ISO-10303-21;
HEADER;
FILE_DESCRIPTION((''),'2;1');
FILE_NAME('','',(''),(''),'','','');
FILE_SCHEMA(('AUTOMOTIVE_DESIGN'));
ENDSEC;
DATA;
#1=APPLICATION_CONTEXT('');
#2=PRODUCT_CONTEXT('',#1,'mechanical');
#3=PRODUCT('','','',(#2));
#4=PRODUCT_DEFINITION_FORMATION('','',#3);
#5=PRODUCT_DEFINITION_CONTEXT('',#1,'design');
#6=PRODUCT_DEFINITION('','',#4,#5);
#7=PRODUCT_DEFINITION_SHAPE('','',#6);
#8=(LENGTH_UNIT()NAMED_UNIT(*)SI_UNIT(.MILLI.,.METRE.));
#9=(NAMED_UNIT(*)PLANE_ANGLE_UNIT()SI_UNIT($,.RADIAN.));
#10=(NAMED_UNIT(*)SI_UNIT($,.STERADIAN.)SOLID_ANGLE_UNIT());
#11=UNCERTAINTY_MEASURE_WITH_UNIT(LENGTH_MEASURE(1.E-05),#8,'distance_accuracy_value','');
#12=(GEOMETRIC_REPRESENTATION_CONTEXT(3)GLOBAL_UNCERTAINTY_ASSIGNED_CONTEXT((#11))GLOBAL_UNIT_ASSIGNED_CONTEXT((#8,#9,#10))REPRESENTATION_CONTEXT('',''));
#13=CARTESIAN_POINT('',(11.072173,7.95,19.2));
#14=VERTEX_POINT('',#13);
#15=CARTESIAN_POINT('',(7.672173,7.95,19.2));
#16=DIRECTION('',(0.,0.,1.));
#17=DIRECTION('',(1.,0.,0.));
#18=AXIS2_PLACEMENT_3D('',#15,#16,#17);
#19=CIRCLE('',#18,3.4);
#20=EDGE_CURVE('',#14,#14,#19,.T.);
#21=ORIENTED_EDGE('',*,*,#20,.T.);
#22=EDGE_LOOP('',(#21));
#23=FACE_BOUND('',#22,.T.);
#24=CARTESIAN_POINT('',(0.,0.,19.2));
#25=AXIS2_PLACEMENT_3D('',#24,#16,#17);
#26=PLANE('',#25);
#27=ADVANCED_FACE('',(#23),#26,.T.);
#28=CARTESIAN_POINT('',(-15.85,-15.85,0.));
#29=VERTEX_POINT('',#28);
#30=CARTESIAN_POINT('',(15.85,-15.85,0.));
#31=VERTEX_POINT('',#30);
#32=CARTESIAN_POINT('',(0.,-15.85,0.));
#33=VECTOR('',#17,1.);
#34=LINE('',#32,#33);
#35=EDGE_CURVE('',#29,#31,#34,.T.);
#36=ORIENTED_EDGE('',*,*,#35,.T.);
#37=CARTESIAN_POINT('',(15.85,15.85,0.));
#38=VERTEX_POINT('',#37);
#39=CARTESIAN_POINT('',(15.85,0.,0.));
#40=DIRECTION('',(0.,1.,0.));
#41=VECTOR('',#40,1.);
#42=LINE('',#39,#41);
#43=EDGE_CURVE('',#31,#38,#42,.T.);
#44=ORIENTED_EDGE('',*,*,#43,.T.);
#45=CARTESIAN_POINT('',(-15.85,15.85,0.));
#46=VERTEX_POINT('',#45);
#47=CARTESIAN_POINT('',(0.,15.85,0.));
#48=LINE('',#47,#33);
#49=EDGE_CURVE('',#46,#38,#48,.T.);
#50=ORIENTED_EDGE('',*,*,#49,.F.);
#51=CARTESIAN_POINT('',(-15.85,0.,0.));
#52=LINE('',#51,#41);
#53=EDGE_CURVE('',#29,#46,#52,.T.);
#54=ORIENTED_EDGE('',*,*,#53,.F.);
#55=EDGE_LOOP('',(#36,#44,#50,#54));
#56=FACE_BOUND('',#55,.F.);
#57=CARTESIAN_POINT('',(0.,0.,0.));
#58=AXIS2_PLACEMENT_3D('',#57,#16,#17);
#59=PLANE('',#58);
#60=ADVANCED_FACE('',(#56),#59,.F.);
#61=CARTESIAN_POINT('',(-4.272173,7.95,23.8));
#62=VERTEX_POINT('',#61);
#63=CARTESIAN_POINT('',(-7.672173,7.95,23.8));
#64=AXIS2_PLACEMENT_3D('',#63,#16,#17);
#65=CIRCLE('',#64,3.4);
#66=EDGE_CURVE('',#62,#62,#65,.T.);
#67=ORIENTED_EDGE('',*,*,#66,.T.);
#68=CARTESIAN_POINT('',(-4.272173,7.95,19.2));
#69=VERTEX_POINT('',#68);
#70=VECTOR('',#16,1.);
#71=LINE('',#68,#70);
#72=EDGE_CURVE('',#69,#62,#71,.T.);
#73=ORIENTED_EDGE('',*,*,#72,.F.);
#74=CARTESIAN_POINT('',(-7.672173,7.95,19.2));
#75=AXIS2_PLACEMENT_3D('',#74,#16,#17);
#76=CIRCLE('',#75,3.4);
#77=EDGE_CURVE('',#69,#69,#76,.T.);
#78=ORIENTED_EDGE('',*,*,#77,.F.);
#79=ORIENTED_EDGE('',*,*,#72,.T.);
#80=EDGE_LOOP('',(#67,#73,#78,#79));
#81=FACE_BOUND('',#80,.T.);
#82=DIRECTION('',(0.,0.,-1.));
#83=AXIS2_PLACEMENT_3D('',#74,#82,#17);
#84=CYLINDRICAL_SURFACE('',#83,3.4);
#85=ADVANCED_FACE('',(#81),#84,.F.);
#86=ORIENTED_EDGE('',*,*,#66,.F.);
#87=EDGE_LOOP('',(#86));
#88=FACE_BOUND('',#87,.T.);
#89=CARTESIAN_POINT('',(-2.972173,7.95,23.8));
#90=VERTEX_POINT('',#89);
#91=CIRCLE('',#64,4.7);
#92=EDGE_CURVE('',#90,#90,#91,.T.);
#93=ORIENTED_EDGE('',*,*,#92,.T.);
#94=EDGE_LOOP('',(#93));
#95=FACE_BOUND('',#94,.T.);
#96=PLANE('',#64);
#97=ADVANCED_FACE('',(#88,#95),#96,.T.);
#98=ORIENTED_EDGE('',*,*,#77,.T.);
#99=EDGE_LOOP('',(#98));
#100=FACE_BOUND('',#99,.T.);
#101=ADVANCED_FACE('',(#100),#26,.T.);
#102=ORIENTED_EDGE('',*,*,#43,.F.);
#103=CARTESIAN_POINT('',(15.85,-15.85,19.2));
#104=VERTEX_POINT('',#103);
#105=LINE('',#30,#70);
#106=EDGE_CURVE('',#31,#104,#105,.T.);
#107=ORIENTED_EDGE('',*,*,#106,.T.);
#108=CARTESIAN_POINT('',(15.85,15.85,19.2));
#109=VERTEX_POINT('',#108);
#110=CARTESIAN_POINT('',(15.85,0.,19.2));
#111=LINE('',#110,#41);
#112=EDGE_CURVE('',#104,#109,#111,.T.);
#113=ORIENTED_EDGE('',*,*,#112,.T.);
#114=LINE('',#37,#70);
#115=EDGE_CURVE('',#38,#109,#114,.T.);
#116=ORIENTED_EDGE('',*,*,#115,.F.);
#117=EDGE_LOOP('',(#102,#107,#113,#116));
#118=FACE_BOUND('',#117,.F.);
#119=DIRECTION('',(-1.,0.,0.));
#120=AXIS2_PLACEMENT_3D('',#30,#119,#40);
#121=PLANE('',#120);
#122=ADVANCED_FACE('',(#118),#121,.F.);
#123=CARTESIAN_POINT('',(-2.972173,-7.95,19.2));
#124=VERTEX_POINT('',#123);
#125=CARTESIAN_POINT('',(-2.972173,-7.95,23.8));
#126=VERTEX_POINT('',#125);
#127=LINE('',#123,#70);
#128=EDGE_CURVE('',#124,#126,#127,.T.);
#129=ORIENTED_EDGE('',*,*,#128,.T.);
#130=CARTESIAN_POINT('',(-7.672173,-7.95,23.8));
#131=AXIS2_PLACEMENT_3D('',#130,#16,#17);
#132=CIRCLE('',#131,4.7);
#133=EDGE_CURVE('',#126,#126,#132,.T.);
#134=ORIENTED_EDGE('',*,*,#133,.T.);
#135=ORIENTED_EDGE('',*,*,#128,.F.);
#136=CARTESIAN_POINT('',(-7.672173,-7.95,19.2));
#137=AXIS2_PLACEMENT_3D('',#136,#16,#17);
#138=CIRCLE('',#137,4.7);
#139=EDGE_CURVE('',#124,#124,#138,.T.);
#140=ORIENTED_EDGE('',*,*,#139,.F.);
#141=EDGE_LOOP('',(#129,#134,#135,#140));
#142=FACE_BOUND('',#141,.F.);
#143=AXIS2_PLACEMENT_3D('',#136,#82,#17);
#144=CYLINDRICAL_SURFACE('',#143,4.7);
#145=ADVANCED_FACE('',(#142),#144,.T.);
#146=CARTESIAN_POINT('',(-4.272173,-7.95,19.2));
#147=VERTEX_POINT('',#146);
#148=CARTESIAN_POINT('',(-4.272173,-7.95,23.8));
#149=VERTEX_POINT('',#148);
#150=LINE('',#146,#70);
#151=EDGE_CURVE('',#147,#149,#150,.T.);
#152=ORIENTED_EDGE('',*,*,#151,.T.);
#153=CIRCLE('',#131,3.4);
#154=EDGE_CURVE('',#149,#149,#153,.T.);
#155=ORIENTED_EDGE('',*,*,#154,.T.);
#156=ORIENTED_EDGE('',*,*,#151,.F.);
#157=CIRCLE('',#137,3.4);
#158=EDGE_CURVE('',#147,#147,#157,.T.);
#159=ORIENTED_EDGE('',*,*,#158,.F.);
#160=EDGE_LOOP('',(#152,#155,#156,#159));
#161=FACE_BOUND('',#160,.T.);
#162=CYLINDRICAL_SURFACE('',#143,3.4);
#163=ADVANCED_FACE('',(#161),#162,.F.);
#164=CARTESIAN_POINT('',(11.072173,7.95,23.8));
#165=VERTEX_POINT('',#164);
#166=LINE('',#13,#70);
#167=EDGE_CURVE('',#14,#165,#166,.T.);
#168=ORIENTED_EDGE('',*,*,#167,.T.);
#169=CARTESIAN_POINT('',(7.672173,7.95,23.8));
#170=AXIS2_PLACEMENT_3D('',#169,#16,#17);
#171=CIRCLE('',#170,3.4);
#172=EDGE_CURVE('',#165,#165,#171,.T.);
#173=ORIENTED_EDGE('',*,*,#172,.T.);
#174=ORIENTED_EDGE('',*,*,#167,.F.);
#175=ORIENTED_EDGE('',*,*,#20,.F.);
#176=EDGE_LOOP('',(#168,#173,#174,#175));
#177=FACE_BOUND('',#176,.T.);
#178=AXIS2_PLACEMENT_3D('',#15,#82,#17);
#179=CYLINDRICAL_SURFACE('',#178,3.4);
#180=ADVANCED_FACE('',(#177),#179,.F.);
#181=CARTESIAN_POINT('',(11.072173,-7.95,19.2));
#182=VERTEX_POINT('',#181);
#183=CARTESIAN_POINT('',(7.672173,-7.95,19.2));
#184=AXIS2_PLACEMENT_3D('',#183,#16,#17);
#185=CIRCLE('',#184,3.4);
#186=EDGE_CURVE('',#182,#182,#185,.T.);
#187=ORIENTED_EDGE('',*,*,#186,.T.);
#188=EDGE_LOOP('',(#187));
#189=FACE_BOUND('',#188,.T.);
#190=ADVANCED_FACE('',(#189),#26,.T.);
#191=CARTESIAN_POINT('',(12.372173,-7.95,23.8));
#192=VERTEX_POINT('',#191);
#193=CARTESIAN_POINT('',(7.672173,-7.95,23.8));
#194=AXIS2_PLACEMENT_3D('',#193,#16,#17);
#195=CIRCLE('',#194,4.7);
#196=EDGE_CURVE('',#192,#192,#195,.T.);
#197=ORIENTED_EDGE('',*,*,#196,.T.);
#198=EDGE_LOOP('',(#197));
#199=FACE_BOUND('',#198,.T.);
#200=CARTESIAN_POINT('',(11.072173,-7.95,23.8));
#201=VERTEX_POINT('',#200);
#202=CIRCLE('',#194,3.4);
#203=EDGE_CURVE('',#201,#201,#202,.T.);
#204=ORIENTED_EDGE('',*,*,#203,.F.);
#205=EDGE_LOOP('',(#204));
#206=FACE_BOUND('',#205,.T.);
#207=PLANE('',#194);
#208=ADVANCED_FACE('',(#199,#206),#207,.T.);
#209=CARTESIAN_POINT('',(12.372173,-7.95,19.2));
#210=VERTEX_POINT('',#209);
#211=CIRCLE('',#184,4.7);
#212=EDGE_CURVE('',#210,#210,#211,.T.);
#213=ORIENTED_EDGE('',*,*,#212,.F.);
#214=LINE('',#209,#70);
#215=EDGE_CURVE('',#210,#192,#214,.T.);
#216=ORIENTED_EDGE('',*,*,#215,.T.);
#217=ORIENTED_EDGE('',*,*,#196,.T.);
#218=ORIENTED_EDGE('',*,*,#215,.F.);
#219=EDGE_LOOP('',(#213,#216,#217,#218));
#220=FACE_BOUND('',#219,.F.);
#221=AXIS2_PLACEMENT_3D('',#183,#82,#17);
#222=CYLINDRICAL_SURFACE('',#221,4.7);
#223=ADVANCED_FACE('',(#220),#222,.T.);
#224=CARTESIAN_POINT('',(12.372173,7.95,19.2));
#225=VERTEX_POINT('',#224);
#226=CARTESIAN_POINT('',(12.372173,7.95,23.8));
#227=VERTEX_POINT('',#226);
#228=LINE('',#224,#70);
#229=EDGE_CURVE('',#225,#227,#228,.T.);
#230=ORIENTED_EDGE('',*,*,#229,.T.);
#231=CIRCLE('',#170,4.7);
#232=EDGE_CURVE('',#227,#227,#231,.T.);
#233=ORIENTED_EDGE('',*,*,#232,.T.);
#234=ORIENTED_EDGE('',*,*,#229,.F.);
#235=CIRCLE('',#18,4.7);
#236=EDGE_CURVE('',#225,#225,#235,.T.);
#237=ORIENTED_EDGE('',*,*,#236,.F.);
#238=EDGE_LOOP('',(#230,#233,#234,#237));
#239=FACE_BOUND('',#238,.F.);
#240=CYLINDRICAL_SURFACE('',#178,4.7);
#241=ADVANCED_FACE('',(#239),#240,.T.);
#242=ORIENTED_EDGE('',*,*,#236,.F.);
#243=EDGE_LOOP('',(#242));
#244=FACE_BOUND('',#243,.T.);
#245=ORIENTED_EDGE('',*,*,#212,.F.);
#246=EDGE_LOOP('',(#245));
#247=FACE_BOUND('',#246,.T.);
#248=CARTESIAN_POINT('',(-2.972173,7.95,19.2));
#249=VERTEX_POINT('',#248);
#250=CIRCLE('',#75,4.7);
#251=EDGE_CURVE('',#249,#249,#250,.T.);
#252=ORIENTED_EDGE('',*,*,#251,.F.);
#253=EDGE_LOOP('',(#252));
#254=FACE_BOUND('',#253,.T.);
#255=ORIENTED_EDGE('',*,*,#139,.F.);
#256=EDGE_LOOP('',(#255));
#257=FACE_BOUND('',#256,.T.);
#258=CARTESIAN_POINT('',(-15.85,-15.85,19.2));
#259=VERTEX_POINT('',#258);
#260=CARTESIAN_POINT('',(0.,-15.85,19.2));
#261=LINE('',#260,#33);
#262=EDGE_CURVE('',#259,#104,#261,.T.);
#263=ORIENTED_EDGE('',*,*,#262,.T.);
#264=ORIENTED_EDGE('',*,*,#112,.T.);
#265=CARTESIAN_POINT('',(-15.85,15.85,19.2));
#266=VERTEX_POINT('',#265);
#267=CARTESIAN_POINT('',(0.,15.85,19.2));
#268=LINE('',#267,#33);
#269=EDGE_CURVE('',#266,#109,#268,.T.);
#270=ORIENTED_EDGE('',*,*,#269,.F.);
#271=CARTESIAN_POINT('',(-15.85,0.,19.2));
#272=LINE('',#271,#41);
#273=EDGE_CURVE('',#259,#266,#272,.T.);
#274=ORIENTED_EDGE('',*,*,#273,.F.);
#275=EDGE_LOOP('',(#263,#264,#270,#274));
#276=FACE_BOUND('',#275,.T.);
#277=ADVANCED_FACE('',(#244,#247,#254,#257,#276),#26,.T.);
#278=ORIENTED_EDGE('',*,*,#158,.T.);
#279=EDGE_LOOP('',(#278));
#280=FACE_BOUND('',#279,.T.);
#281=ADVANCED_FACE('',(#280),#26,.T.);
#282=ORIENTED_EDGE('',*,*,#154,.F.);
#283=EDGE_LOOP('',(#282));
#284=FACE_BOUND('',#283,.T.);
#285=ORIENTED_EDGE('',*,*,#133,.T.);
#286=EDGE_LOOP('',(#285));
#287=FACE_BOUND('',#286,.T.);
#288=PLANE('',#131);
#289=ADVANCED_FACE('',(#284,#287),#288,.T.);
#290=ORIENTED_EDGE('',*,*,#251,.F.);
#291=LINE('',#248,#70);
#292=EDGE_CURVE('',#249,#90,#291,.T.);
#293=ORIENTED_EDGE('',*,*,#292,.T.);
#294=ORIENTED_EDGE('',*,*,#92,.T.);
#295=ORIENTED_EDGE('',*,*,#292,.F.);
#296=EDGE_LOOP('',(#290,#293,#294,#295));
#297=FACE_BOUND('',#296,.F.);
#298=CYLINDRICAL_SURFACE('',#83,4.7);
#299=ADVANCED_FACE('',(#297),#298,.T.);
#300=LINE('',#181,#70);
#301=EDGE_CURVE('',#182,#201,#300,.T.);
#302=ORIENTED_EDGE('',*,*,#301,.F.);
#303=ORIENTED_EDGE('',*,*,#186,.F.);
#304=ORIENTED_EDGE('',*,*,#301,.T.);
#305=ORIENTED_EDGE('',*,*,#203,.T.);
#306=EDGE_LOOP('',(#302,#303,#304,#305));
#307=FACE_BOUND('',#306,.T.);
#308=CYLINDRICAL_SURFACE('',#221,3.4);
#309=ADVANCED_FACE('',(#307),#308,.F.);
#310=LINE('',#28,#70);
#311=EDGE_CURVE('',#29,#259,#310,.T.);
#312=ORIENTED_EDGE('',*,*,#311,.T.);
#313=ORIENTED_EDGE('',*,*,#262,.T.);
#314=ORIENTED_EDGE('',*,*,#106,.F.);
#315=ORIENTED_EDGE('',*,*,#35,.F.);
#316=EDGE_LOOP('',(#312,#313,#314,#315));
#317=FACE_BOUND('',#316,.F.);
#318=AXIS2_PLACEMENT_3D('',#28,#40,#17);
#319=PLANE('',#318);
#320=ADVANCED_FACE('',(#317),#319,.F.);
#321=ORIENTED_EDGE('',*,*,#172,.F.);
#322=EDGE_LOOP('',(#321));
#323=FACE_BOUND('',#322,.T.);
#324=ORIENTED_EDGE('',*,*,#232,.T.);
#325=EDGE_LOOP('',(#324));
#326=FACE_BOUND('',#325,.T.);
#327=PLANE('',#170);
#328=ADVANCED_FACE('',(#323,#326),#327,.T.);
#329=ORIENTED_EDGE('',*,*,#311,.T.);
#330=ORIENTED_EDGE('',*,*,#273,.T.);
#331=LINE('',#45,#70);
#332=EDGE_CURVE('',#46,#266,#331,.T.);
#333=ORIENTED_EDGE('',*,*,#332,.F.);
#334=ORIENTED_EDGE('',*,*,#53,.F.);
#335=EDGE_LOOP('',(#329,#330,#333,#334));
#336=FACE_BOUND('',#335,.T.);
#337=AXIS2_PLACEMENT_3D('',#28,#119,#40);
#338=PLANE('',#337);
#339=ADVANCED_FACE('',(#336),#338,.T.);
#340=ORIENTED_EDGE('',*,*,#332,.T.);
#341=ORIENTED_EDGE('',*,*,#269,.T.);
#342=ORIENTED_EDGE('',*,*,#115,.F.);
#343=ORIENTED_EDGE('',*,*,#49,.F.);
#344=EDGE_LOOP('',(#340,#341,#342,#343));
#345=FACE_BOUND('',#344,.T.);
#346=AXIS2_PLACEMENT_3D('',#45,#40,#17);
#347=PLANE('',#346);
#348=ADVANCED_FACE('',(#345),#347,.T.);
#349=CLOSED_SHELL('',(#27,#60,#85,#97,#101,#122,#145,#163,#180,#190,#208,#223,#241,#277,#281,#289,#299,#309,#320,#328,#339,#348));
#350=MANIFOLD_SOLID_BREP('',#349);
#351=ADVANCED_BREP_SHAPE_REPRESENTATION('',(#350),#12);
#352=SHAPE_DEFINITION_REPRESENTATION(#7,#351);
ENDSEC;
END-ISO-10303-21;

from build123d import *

# Parameters (mm, degrees)
F0_W     = 31.7
F0_H     = 31.7
F1_DEPTH = 19.2
F2_R     = 4.7
F2_R_2   = 3.4
F3_DEPTH = 4.6


with BuildPart() as f1:
    # F0 (on Top) → F1 (new body)
    with BuildSketch(Plane.XY):
        Rectangle(F0_W, F0_H)
    extrude(amount=F1_DEPTH)

    # F2 (on face) → F3 (join)
    with BuildSketch(Plane.XY.offset(19.2)):
        with Locations((-7.672173, 7.95)):
            Circle(F2_R)
        with Locations((-7.672173, 7.95)):
            Circle(F2_R_2, mode=Mode.SUBTRACT)
        with Locations((7.672173, 7.95)):
            Circle(F2_R)
        with Locations((7.672173, 7.95)):
            Circle(F2_R_2, mode=Mode.SUBTRACT)
        with Locations((-7.672173, -7.95)):
            Circle(F2_R)
        with Locations((-7.672173, -7.95)):
            Circle(F2_R_2, mode=Mode.SUBTRACT)
        with Locations((7.672173, -7.95)):
            Circle(F2_R)
        with Locations((7.672173, -7.95)):
            Circle(F2_R_2, mode=Mode.SUBTRACT)
    extrude(amount=F3_DEPTH)


solid = f1.part
